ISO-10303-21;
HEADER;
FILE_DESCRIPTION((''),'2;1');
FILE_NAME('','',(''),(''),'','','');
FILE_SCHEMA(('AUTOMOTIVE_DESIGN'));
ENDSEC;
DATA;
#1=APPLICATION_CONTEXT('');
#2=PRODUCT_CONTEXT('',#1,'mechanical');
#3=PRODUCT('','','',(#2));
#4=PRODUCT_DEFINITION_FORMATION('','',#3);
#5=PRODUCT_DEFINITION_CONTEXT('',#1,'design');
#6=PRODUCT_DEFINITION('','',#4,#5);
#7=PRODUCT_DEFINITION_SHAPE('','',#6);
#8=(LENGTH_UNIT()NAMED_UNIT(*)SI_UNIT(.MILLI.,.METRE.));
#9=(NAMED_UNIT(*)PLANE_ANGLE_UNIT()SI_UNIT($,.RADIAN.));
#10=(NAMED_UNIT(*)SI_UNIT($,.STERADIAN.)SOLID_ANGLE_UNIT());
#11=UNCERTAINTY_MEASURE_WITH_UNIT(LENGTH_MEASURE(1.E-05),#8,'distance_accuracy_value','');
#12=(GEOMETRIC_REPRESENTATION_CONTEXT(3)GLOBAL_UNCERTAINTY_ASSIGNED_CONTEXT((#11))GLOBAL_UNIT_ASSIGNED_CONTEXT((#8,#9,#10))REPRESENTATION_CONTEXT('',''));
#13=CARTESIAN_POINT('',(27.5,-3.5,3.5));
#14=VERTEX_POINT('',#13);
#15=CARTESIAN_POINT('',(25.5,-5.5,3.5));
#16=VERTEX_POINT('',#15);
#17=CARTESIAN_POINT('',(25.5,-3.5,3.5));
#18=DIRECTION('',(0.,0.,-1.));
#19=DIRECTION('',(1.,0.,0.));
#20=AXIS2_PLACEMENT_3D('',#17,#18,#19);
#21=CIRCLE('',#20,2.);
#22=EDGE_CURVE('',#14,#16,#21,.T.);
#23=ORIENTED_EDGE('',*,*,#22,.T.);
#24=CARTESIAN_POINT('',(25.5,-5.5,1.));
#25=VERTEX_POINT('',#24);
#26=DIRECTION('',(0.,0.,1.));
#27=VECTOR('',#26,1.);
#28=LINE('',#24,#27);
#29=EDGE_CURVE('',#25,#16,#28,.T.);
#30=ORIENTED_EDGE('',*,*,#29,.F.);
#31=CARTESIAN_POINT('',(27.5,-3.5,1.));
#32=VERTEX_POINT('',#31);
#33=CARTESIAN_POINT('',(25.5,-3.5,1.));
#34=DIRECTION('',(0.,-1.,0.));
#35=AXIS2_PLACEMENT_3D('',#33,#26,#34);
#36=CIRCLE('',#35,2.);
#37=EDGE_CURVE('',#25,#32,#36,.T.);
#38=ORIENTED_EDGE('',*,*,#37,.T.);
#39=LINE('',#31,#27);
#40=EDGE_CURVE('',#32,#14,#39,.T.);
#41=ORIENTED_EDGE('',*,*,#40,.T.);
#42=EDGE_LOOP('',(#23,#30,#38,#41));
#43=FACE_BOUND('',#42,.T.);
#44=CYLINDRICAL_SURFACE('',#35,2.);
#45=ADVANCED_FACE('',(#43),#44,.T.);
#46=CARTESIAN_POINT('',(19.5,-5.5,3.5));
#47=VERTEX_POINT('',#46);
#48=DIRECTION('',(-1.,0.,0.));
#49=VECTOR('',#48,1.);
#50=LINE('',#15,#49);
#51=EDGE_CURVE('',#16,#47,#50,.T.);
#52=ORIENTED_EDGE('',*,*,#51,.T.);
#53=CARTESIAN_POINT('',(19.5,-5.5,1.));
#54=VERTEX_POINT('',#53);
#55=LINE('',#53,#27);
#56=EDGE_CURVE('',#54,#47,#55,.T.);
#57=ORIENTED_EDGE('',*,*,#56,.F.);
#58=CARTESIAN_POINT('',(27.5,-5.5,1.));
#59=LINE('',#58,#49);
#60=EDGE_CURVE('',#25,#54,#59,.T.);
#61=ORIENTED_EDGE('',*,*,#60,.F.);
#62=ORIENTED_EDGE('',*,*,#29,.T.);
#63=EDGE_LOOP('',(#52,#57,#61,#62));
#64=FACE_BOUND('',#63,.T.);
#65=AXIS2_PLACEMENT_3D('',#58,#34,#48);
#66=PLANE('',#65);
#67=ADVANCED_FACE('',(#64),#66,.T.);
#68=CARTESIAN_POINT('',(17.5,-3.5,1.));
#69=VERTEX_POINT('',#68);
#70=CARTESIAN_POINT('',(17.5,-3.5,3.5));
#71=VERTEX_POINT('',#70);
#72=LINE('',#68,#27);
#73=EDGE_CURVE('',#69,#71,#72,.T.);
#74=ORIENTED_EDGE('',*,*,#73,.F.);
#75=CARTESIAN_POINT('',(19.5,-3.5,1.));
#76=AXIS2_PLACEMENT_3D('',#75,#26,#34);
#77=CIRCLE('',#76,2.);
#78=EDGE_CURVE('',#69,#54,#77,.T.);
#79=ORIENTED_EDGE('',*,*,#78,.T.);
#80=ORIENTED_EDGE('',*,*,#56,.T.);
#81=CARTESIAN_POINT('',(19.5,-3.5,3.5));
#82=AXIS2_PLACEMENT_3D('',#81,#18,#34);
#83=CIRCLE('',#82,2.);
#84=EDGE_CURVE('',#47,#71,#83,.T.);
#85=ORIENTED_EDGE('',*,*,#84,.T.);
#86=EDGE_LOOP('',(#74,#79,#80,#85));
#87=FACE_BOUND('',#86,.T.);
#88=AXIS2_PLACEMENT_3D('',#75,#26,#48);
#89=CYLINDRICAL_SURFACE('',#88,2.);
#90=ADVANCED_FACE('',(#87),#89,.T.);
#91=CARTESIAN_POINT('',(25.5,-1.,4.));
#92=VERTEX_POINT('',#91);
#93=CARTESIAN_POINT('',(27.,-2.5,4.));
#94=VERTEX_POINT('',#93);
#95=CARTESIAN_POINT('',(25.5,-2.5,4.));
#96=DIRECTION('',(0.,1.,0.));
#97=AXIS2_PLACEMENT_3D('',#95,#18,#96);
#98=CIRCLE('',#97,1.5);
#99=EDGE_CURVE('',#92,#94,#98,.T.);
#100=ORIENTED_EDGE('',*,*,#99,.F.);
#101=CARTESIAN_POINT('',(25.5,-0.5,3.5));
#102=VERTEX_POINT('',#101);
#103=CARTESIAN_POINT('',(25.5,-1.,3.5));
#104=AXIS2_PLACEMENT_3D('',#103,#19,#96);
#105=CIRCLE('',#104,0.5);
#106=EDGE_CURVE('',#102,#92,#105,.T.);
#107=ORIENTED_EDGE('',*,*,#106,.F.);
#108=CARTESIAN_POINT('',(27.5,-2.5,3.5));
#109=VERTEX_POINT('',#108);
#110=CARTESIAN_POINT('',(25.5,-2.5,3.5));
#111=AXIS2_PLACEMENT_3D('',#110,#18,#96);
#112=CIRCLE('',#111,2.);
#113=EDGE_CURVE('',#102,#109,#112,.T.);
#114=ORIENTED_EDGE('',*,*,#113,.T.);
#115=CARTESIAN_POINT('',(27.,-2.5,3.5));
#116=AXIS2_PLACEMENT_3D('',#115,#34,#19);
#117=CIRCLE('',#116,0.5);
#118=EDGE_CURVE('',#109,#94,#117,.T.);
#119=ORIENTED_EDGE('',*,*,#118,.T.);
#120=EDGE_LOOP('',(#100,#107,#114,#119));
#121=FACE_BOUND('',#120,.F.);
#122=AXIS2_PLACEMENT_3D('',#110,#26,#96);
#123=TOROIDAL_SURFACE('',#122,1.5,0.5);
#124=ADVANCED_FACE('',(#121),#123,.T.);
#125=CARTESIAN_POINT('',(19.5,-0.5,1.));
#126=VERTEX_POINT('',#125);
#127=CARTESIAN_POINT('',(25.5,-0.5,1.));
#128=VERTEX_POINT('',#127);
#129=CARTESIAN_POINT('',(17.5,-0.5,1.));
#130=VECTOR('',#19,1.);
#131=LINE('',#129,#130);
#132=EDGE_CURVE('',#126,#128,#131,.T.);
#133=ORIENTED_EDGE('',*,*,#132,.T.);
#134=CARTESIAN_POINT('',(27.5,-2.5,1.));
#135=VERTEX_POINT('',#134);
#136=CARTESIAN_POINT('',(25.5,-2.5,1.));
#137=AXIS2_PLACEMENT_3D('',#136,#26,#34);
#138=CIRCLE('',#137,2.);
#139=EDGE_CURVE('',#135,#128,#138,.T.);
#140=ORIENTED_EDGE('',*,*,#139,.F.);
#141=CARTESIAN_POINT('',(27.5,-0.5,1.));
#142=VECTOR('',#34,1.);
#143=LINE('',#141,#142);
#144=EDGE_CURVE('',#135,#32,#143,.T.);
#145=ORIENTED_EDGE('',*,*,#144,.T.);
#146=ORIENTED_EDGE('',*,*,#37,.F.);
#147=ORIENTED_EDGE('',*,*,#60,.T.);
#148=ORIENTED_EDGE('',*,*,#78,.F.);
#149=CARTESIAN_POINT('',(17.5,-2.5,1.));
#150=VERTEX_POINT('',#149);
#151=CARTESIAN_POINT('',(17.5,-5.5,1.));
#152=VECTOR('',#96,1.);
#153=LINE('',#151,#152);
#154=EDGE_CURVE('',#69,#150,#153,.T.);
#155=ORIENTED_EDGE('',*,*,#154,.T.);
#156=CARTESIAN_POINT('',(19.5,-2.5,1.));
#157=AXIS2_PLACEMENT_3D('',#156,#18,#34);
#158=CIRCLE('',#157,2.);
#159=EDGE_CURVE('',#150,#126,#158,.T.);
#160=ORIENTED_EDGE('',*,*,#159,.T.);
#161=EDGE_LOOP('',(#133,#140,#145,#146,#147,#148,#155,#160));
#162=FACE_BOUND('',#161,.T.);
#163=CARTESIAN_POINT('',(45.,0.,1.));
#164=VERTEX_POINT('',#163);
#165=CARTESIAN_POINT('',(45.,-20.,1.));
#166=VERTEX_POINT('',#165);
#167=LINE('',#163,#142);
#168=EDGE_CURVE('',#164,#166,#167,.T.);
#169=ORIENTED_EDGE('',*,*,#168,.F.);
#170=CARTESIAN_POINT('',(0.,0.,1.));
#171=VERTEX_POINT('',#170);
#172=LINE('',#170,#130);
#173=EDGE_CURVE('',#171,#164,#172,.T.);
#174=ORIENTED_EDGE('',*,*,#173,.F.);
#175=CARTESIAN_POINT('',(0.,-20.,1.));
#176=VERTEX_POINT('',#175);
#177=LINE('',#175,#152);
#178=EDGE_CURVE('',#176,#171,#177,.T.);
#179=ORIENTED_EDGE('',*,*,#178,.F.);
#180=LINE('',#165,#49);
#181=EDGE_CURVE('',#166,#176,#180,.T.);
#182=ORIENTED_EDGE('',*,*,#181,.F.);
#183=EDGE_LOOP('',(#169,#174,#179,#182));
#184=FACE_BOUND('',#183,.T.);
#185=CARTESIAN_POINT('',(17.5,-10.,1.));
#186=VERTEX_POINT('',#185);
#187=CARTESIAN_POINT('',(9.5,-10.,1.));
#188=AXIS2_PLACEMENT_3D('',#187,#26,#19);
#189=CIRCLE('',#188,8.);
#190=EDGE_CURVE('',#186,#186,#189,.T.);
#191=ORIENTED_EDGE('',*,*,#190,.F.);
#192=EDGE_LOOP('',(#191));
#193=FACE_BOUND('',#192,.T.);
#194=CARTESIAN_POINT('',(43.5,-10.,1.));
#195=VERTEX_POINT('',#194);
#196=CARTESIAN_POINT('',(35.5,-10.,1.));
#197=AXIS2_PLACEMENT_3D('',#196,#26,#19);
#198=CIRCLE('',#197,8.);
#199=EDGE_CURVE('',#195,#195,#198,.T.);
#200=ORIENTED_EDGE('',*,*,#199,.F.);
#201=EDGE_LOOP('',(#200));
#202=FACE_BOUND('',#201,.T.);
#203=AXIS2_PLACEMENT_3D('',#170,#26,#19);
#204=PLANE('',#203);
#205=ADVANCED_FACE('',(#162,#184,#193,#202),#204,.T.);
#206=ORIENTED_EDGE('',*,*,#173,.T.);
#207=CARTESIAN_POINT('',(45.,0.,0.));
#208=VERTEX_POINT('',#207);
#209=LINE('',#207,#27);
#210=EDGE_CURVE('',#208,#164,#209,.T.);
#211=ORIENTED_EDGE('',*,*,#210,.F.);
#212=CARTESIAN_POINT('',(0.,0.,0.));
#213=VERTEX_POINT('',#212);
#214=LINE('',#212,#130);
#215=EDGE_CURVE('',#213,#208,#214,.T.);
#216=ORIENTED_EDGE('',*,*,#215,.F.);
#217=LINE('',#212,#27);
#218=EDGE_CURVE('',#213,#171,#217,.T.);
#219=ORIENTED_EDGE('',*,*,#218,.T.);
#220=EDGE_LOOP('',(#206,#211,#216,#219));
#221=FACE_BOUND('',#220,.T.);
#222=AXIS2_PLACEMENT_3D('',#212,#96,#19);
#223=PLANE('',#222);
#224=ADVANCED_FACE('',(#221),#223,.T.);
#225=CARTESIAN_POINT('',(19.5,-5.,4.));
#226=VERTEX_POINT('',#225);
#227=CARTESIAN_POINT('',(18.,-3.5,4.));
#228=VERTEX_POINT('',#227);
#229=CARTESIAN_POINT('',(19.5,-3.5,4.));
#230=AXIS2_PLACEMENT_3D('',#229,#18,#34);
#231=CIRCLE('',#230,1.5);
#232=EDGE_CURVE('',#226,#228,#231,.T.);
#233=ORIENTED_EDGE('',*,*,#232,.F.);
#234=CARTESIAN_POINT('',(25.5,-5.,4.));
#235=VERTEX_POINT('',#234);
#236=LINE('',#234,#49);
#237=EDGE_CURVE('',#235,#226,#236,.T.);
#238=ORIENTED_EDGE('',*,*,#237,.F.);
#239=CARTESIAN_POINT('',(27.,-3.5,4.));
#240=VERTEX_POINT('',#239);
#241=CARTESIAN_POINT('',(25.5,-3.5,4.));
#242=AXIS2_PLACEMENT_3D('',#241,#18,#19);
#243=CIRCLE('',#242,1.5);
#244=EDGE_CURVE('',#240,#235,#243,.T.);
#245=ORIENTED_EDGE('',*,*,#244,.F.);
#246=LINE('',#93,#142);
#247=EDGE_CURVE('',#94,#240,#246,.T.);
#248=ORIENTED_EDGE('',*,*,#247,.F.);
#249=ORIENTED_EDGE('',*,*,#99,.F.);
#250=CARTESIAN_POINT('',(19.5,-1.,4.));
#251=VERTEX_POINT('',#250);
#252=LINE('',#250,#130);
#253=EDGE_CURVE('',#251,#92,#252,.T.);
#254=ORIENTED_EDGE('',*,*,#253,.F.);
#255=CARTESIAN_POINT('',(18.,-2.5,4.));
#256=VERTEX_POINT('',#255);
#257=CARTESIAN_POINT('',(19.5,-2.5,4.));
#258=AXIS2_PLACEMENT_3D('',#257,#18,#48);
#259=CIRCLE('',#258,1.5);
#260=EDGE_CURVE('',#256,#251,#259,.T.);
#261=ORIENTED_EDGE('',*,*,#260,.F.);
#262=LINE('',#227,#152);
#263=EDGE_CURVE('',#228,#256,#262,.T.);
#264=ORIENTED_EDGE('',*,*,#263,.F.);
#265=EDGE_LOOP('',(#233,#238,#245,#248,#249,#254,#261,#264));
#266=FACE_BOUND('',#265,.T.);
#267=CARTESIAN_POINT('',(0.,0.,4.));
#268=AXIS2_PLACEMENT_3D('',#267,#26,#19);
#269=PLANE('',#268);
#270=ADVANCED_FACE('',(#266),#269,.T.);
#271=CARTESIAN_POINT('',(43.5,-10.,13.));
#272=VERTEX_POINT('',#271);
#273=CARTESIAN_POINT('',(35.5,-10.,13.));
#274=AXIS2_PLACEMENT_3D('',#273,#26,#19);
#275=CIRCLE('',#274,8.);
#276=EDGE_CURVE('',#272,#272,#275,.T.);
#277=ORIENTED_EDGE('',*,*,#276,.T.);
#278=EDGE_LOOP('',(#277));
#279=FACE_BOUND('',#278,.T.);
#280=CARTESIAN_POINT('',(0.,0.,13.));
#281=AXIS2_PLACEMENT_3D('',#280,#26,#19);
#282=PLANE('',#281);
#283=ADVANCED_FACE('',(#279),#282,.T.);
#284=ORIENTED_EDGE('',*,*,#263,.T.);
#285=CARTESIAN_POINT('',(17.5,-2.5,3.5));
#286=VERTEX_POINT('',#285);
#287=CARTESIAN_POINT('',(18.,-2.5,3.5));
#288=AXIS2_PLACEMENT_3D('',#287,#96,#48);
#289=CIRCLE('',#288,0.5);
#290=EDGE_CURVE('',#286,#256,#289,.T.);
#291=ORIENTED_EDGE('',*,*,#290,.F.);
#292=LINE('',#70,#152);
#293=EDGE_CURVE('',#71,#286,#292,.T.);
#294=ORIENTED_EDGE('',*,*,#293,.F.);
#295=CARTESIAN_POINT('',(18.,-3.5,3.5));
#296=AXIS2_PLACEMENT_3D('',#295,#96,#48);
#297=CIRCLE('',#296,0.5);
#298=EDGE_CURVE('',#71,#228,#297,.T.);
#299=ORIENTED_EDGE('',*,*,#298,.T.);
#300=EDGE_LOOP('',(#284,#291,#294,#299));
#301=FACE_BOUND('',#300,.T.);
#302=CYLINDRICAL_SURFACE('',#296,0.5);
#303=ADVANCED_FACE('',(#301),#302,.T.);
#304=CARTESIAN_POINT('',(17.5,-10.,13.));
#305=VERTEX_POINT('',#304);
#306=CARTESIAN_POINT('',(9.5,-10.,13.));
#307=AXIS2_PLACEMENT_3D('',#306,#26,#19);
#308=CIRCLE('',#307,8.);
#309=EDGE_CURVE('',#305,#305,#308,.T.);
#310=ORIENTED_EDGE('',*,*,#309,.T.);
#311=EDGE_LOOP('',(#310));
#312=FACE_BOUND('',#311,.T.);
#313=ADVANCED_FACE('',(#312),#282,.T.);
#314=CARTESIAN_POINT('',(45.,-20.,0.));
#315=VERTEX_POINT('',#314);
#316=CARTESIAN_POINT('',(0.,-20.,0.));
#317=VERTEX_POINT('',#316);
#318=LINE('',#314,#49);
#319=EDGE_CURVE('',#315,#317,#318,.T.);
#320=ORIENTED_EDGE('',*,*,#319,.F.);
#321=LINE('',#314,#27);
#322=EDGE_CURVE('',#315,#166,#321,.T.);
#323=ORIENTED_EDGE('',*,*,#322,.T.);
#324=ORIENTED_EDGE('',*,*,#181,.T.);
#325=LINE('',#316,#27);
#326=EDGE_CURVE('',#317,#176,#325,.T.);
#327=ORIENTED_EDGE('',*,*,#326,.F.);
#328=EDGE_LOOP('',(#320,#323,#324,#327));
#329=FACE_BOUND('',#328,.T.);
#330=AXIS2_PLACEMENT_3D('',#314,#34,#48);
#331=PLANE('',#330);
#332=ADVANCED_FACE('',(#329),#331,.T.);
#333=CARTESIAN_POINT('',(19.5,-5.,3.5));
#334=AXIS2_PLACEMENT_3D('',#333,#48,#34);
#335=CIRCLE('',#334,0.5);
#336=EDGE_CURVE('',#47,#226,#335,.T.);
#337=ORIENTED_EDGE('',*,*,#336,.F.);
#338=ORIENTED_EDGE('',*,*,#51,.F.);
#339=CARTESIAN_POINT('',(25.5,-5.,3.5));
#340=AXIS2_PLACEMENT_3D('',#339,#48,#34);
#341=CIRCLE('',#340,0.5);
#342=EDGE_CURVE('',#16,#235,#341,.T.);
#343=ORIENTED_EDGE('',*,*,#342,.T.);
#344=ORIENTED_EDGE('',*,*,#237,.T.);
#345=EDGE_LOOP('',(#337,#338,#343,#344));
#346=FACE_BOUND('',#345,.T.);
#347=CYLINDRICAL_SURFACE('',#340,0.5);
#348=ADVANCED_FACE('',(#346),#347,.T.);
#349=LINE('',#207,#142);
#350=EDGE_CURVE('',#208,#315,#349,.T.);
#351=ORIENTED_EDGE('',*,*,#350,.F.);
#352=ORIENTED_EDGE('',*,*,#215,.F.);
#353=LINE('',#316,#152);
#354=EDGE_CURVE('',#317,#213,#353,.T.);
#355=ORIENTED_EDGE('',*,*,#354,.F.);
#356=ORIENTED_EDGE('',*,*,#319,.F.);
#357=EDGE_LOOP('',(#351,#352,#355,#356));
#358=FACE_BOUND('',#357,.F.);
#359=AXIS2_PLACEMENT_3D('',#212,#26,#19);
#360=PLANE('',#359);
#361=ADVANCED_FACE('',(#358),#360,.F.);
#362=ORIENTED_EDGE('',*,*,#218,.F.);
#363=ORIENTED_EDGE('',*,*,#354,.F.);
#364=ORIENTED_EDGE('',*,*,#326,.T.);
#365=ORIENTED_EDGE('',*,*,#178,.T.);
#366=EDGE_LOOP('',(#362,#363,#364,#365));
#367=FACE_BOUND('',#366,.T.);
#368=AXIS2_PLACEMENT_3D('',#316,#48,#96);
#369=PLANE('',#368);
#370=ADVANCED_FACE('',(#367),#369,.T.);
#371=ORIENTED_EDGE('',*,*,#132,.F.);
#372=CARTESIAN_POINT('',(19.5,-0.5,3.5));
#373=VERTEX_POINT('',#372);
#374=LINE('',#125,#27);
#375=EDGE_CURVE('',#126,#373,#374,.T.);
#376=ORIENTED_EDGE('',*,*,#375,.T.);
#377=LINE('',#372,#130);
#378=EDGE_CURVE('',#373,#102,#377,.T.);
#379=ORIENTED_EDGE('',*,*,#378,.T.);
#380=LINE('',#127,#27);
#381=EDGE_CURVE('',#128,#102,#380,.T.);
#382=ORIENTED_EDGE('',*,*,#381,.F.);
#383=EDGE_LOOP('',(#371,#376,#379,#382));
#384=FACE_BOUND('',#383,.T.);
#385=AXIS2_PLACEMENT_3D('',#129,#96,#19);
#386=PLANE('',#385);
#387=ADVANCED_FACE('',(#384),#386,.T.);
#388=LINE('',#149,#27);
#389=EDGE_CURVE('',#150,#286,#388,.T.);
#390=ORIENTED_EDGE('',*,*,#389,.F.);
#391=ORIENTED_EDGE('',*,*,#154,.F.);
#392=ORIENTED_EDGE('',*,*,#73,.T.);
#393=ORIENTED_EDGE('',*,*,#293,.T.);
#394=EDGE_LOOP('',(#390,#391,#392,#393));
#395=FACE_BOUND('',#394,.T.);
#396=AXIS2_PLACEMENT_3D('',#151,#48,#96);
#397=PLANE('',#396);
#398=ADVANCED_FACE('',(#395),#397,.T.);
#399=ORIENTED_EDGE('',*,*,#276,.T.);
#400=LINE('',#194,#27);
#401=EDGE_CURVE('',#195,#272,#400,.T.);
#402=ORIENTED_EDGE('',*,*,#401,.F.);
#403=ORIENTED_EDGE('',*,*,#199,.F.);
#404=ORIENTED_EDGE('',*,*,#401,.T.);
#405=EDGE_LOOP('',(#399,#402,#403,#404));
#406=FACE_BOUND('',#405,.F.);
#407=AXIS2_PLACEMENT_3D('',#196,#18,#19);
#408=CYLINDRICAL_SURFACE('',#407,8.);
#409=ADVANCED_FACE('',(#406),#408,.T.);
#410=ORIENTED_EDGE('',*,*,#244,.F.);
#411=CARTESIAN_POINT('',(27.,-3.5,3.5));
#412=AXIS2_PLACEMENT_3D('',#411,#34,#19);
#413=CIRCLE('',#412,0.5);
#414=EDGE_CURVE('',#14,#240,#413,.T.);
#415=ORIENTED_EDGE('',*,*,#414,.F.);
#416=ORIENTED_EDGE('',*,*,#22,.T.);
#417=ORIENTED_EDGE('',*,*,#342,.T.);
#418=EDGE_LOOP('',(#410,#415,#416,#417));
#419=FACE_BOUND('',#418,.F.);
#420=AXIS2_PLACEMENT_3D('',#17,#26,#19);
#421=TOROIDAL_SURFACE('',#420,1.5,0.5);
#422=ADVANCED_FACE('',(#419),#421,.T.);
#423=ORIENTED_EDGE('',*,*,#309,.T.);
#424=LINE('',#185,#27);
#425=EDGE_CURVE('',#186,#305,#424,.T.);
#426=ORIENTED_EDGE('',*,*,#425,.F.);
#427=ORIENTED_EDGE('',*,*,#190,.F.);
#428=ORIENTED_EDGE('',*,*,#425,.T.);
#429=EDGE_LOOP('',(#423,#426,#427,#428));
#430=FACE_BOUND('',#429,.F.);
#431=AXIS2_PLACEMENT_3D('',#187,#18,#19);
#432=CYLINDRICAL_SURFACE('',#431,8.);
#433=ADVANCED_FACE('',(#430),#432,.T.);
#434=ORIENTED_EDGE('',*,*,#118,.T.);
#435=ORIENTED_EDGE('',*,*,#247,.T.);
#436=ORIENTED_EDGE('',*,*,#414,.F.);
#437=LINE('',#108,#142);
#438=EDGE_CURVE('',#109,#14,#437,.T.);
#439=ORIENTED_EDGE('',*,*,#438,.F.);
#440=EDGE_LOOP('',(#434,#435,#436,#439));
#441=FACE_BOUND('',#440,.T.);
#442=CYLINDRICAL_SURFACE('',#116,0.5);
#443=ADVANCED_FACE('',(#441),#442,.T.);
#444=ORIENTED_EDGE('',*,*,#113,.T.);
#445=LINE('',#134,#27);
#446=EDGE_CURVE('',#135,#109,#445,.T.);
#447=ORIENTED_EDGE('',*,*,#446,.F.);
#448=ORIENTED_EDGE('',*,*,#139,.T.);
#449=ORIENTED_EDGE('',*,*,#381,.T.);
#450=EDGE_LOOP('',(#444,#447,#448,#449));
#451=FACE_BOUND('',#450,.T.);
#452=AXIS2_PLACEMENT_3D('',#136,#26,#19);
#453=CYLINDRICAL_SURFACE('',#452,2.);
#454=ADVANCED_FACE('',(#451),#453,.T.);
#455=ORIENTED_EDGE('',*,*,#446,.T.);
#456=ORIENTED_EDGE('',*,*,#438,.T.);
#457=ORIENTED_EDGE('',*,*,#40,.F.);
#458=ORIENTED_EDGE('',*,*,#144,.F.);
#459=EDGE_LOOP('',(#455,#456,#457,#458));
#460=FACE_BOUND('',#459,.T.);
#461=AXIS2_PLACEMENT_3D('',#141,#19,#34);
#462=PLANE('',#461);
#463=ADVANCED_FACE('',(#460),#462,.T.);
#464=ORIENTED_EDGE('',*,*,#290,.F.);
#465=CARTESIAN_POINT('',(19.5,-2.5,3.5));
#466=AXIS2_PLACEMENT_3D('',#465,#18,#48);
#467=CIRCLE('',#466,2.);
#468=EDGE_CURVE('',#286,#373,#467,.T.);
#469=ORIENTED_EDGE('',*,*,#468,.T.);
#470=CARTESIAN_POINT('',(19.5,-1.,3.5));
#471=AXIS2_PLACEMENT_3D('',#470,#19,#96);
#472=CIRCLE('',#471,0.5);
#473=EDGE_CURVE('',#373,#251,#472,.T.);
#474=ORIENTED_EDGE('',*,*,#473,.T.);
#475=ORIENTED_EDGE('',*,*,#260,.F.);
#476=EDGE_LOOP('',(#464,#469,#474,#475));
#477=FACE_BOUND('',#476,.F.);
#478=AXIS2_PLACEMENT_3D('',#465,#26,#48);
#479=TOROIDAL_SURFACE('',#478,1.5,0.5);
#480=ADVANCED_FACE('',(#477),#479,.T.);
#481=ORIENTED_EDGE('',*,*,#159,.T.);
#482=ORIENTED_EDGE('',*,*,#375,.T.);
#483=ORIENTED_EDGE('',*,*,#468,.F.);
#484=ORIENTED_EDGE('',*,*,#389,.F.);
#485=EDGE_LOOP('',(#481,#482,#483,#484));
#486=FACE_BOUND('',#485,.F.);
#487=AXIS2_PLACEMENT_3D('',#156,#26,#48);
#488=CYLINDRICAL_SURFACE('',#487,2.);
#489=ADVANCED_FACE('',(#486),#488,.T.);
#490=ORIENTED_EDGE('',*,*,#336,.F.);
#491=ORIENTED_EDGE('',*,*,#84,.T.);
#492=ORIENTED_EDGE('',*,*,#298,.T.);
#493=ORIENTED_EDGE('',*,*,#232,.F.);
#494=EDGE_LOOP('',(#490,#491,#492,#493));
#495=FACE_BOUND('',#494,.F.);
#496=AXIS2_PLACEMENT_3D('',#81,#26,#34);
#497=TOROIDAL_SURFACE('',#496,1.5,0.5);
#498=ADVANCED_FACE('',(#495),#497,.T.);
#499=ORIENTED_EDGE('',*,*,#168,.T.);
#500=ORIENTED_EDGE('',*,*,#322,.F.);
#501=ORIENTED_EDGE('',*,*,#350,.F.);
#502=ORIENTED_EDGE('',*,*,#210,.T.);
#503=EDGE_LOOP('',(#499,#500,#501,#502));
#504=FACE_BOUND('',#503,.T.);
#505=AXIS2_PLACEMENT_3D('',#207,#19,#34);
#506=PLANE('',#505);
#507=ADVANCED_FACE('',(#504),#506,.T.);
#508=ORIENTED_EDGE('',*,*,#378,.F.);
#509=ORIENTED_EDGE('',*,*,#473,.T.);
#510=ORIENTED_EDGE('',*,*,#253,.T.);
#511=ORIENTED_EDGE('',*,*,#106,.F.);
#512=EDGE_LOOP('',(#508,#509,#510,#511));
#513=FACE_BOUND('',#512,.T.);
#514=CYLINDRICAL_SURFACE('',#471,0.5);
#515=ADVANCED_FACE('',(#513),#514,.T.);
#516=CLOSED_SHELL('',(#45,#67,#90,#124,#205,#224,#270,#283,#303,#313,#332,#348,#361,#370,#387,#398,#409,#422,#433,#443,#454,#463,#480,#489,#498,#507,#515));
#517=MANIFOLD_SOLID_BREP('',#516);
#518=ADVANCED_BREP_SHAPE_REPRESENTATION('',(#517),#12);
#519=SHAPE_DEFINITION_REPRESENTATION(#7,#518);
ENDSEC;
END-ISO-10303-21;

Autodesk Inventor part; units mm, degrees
ref_plane "YZ Plane" through (0, 0, 0) normal (1, 0, 0) x (0, 1, 0)
ref_plane "XZ Plane" through (0, 0, 0) normal (0, 1, 0) x (-1, 0, 0)
ref_plane "XY Plane" through (0, 0, 0) normal (0, 0, 1) x (1, 0, 0)
sketch "Sketch1" plane through (0, 0, 0) normal (0, 0, 1) x (1, 0, 0)
  line L0 (0, 0) -> (45, 0)
  line L1 (45, 0) -> (45, -20)
  line L2 (45, -20) -> (0, -20)
  line L3 (0, -20) -> (0, 0)
  dimension "d0" = 45
  dimension "d1" = 20
extrude "Extrusion1" add sketch "Sketch1" along normal blind 1
sketch "Sketch2" plane through (0, 0, 1) normal (0, 0, 1) x (1, 0, 0)
  circle A0 centre (9.5, -10) radius 8
  circle A1 centre (35.5, -10) radius 8
  line L0 (0, -20) -> (45, -20) projected
  line L1 (0, 0) -> (0, -20) projected
  dimension "d4" = 16
  dimension "d5" = 16
  dimension "d6" = 26
  dimension "d7" = 10
  dimension "d8" = 9.5
extrude "Extrusion2" add sketch "Sketch2" along normal blind 12
sketch "Sketch3" plane through (0, 0, 1) normal (0, 0, 1) x (1, 0, 0)
  line L0 (17.5, -0.5) -> (27.5, -0.5)
  line L1 (27.5, -0.5) -> (27.5, -5.5)
  line L2 (27.5, -5.5) -> (17.5, -5.5)
  line L3 (17.5, -5.5) -> (17.5, -0.5)
  line L4 (0, 0) -> (0, -20) projected
  line L5 (45, 0) -> (0, 0) projected
  dimension "d11" = 10
  dimension "d12" = 5
  dimension "d13" = 17.5
  dimension "d14" = 0.5
extrude "Extrusion3" add sketch "Sketch3" along normal blind 3
fillet "Fillet1" radius 2 4 edges at (27.5, -0.5, 2.5) (27.5, -5.5, 2.5) (17.5, -0.5, 2.5) (17.5, -5.5, 2.5)
fillet "Fillet2" radius 0.5 8 edges at (17.5, -3, 4) (18.0858, -1.0858, 4) (22.5, -0.5, 4) (26.9142, -1.0858, 4) (27.5, -3, 4) (26.9142, -4.9142, 4) (22.5, -5.5, 4) (18.0858, -4.9142, 4)
sketch "Sketch4" plane through (0, 0, 0) normal (0, 0, -1) x (-1, 0, 0)
  point P0 (0, 0)
properties part number "UltrasonicSensor"
